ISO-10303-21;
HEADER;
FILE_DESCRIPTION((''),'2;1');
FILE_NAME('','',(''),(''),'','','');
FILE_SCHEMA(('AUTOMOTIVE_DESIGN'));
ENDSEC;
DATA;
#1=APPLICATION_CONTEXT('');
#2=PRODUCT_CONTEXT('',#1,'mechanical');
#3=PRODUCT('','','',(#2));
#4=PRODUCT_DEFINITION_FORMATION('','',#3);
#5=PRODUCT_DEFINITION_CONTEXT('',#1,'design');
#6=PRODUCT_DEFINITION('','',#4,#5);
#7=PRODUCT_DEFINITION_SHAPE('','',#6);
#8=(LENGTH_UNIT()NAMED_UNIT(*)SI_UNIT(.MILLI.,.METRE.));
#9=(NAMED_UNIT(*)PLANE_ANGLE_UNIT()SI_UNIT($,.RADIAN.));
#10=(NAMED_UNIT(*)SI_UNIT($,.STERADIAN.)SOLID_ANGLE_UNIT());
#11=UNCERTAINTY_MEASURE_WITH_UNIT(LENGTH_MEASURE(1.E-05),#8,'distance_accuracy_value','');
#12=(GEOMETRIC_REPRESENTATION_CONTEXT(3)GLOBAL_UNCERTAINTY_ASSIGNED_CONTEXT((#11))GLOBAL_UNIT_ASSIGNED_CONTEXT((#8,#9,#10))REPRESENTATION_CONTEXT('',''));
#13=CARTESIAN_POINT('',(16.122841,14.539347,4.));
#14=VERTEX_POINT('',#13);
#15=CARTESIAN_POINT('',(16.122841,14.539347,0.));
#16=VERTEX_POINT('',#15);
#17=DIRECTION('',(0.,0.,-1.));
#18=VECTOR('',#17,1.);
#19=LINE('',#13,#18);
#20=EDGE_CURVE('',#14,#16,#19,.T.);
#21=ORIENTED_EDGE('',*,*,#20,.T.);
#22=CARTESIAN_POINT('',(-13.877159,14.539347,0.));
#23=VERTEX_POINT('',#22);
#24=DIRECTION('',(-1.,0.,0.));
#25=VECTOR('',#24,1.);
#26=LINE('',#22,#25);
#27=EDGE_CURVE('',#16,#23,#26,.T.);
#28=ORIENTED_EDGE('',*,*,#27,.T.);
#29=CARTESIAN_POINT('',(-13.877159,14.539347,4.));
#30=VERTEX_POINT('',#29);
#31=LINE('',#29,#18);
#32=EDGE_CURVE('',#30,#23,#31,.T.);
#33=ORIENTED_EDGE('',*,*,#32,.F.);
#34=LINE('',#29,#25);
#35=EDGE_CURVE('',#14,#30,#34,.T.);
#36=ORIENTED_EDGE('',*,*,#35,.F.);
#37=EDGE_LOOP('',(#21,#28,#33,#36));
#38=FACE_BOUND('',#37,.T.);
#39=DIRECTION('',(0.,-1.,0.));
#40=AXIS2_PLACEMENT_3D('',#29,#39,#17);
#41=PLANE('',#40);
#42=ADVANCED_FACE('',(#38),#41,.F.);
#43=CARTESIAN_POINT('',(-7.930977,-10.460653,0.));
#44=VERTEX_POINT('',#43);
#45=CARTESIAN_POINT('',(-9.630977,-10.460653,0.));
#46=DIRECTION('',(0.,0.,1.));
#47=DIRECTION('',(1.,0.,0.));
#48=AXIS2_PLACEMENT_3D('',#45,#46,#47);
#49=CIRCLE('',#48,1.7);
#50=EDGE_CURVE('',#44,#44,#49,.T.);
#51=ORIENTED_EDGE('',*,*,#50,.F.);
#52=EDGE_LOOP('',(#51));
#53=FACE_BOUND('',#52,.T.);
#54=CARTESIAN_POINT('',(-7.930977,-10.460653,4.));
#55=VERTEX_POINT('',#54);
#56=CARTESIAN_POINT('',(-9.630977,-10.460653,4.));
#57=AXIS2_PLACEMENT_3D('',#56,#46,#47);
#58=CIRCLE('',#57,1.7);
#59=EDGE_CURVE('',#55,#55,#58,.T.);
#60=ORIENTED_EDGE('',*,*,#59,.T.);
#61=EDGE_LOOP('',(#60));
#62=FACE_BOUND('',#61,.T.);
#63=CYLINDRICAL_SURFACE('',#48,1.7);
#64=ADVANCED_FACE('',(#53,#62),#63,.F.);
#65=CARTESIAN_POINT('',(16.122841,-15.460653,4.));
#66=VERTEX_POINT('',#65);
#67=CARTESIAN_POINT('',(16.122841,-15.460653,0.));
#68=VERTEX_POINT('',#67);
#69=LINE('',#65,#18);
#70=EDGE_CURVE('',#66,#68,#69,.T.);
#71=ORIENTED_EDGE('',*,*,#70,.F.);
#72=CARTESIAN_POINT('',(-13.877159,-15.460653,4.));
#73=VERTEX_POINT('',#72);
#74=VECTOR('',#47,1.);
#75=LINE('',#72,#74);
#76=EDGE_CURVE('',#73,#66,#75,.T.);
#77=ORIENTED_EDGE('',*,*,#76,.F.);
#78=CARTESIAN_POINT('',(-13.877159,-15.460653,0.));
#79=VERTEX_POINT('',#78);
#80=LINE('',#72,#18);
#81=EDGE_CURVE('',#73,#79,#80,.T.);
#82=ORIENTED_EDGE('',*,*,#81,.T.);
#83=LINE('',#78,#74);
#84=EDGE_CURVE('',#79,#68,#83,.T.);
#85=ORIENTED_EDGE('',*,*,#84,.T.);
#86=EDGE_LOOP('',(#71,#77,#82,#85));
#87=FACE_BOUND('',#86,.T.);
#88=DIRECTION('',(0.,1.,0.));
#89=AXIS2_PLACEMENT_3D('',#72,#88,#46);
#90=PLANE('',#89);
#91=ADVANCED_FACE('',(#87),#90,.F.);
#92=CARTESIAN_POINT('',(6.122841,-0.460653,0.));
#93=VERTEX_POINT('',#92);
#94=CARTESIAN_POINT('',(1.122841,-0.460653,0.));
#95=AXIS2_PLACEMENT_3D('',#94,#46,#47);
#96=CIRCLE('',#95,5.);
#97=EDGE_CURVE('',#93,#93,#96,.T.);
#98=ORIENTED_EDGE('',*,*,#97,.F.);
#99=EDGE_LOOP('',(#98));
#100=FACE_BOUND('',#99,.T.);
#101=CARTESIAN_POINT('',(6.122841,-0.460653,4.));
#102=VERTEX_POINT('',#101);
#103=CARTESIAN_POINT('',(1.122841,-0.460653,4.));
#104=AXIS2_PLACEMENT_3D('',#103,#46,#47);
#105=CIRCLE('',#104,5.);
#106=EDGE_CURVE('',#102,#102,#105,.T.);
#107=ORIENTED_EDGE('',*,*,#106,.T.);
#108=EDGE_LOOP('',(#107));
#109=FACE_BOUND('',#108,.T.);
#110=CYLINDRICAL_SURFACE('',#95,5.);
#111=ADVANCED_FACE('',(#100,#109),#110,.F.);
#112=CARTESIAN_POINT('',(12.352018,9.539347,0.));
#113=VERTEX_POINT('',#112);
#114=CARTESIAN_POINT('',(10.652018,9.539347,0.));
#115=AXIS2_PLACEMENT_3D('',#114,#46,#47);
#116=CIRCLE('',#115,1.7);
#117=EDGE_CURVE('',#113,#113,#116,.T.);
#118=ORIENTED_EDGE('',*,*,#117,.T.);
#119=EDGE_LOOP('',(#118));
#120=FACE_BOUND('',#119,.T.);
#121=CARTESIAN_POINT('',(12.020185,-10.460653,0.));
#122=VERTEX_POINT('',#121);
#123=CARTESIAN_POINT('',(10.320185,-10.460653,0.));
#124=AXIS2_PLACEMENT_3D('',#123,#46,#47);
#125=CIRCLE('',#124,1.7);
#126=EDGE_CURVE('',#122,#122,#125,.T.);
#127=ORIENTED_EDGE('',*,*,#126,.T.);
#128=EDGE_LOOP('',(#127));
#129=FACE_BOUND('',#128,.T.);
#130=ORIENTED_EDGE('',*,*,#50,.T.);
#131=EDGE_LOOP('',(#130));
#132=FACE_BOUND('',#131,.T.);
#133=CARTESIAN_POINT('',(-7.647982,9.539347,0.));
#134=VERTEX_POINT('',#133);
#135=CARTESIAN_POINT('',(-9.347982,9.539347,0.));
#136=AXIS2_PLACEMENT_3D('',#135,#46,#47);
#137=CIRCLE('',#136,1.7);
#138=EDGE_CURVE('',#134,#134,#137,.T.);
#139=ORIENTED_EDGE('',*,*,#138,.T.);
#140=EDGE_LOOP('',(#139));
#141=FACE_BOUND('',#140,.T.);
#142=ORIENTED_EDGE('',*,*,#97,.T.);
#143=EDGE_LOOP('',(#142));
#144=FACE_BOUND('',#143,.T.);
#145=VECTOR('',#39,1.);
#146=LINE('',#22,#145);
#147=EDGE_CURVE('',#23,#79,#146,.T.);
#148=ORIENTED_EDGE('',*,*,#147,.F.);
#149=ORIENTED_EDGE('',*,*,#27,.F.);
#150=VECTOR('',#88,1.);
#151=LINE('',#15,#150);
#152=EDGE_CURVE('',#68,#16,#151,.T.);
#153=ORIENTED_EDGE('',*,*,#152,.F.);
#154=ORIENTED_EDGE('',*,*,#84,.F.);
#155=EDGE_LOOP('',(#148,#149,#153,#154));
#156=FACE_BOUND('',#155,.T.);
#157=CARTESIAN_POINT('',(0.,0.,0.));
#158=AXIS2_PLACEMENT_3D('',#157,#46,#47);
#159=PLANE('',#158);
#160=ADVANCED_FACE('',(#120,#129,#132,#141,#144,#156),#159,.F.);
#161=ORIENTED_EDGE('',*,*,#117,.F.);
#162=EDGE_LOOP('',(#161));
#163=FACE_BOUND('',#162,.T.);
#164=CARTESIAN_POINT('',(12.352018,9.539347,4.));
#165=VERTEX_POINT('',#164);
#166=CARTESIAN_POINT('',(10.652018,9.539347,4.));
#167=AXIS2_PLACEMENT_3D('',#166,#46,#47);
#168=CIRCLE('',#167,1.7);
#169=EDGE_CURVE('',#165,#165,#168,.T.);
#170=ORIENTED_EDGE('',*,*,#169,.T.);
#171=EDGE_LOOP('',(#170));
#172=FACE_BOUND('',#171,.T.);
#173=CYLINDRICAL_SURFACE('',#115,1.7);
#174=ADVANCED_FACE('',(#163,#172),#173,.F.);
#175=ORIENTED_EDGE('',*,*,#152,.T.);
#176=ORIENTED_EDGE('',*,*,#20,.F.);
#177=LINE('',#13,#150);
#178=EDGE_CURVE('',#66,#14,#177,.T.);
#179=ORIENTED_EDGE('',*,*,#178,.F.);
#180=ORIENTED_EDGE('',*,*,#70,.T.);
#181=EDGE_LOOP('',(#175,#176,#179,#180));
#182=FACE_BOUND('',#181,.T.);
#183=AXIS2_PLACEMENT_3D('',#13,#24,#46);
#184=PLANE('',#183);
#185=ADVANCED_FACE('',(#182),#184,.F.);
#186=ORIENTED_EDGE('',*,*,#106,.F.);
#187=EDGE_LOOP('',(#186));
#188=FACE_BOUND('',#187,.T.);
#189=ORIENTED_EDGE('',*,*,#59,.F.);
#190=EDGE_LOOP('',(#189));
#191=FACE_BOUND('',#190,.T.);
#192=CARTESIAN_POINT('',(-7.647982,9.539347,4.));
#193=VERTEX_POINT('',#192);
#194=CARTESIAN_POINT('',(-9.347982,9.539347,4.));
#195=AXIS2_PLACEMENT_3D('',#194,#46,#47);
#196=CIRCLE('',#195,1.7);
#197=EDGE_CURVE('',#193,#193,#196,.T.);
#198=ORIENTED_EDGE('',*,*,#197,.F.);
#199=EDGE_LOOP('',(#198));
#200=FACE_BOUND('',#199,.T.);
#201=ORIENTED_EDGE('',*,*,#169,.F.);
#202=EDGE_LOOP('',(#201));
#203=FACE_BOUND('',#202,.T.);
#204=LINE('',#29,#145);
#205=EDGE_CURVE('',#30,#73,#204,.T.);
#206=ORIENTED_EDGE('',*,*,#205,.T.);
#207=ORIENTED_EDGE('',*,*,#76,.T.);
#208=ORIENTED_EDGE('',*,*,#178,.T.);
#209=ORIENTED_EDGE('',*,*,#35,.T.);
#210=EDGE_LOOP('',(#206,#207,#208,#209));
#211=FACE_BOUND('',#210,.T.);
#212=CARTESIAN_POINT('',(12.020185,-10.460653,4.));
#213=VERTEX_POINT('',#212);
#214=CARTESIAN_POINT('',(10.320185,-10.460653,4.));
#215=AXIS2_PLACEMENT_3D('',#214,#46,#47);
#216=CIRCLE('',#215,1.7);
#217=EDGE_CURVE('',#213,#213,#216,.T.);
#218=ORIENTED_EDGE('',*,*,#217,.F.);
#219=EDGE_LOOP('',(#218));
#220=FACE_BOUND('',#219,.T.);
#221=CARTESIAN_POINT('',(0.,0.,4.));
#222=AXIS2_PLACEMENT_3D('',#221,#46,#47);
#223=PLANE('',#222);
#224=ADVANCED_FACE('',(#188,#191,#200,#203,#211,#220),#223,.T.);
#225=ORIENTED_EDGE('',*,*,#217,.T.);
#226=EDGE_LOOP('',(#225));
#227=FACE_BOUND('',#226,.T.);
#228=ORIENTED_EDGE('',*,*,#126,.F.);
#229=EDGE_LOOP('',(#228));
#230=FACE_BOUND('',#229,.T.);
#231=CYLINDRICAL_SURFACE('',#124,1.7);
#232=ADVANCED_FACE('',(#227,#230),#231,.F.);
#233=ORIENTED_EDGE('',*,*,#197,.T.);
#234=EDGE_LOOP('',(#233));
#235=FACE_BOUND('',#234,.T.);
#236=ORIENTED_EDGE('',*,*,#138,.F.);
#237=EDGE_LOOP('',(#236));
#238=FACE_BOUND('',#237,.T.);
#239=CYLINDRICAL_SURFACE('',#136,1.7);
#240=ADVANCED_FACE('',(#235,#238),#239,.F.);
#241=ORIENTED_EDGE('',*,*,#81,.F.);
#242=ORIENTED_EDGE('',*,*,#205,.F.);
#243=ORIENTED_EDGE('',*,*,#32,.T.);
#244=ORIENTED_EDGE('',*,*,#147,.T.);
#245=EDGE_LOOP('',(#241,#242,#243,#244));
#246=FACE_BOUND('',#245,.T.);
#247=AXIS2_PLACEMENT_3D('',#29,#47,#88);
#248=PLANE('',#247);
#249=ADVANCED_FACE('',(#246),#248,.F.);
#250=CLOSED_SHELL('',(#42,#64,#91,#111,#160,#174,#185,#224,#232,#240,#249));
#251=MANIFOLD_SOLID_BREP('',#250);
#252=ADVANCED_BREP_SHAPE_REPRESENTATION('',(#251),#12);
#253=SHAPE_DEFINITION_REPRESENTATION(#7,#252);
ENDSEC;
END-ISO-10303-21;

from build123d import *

# Parameters (mm, degrees)
SKETCH1_W           = 30
SKETCH1_H           = 30
BOSS_EXTRUDE1_DEPTH = 4
SKETCH2_R           = 5
CUT_EXTRUDE1_DEPTH  = 23.693121656
SKETCH3_R           = 1.7
CUT_EXTRUDE2_DEPTH  = 23.693121656


with BuildPart() as part:
    # Sketch1 → Boss-Extrude1 (new body)
    with BuildSketch(Plane.XY):
        with Locations((1.122840691, -0.460652591)):
            Rectangle(SKETCH1_W, SKETCH1_H)
    extrude(amount=BOSS_EXTRUDE1_DEPTH)

    # Sketch2 → Cut-Extrude1 (cut, through all)
    with BuildSketch(Plane.XY.offset(4)):
        with Locations((1.122840691, -0.460652591)):
            Circle(SKETCH2_R)
    extrude(amount=-CUT_EXTRUDE1_DEPTH, mode=Mode.SUBTRACT)

    # Sketch3 → Cut-Extrude2 (cut, through all)
    with BuildSketch(Plane.XY.offset(4)):
        with Locations((-9.34798151, 9.539347409)):
            Circle(SKETCH3_R)
        with Locations((10.65201849, 9.539347409)):
            Circle(SKETCH3_R)
        with Locations((-9.630976704, -10.460652591)):
            Circle(SKETCH3_R)
        with Locations((10.320184516, -10.460652591)):
            Circle(SKETCH3_R)
    extrude(amount=-CUT_EXTRUDE2_DEPTH, mode=Mode.SUBTRACT)


solid = part.part
